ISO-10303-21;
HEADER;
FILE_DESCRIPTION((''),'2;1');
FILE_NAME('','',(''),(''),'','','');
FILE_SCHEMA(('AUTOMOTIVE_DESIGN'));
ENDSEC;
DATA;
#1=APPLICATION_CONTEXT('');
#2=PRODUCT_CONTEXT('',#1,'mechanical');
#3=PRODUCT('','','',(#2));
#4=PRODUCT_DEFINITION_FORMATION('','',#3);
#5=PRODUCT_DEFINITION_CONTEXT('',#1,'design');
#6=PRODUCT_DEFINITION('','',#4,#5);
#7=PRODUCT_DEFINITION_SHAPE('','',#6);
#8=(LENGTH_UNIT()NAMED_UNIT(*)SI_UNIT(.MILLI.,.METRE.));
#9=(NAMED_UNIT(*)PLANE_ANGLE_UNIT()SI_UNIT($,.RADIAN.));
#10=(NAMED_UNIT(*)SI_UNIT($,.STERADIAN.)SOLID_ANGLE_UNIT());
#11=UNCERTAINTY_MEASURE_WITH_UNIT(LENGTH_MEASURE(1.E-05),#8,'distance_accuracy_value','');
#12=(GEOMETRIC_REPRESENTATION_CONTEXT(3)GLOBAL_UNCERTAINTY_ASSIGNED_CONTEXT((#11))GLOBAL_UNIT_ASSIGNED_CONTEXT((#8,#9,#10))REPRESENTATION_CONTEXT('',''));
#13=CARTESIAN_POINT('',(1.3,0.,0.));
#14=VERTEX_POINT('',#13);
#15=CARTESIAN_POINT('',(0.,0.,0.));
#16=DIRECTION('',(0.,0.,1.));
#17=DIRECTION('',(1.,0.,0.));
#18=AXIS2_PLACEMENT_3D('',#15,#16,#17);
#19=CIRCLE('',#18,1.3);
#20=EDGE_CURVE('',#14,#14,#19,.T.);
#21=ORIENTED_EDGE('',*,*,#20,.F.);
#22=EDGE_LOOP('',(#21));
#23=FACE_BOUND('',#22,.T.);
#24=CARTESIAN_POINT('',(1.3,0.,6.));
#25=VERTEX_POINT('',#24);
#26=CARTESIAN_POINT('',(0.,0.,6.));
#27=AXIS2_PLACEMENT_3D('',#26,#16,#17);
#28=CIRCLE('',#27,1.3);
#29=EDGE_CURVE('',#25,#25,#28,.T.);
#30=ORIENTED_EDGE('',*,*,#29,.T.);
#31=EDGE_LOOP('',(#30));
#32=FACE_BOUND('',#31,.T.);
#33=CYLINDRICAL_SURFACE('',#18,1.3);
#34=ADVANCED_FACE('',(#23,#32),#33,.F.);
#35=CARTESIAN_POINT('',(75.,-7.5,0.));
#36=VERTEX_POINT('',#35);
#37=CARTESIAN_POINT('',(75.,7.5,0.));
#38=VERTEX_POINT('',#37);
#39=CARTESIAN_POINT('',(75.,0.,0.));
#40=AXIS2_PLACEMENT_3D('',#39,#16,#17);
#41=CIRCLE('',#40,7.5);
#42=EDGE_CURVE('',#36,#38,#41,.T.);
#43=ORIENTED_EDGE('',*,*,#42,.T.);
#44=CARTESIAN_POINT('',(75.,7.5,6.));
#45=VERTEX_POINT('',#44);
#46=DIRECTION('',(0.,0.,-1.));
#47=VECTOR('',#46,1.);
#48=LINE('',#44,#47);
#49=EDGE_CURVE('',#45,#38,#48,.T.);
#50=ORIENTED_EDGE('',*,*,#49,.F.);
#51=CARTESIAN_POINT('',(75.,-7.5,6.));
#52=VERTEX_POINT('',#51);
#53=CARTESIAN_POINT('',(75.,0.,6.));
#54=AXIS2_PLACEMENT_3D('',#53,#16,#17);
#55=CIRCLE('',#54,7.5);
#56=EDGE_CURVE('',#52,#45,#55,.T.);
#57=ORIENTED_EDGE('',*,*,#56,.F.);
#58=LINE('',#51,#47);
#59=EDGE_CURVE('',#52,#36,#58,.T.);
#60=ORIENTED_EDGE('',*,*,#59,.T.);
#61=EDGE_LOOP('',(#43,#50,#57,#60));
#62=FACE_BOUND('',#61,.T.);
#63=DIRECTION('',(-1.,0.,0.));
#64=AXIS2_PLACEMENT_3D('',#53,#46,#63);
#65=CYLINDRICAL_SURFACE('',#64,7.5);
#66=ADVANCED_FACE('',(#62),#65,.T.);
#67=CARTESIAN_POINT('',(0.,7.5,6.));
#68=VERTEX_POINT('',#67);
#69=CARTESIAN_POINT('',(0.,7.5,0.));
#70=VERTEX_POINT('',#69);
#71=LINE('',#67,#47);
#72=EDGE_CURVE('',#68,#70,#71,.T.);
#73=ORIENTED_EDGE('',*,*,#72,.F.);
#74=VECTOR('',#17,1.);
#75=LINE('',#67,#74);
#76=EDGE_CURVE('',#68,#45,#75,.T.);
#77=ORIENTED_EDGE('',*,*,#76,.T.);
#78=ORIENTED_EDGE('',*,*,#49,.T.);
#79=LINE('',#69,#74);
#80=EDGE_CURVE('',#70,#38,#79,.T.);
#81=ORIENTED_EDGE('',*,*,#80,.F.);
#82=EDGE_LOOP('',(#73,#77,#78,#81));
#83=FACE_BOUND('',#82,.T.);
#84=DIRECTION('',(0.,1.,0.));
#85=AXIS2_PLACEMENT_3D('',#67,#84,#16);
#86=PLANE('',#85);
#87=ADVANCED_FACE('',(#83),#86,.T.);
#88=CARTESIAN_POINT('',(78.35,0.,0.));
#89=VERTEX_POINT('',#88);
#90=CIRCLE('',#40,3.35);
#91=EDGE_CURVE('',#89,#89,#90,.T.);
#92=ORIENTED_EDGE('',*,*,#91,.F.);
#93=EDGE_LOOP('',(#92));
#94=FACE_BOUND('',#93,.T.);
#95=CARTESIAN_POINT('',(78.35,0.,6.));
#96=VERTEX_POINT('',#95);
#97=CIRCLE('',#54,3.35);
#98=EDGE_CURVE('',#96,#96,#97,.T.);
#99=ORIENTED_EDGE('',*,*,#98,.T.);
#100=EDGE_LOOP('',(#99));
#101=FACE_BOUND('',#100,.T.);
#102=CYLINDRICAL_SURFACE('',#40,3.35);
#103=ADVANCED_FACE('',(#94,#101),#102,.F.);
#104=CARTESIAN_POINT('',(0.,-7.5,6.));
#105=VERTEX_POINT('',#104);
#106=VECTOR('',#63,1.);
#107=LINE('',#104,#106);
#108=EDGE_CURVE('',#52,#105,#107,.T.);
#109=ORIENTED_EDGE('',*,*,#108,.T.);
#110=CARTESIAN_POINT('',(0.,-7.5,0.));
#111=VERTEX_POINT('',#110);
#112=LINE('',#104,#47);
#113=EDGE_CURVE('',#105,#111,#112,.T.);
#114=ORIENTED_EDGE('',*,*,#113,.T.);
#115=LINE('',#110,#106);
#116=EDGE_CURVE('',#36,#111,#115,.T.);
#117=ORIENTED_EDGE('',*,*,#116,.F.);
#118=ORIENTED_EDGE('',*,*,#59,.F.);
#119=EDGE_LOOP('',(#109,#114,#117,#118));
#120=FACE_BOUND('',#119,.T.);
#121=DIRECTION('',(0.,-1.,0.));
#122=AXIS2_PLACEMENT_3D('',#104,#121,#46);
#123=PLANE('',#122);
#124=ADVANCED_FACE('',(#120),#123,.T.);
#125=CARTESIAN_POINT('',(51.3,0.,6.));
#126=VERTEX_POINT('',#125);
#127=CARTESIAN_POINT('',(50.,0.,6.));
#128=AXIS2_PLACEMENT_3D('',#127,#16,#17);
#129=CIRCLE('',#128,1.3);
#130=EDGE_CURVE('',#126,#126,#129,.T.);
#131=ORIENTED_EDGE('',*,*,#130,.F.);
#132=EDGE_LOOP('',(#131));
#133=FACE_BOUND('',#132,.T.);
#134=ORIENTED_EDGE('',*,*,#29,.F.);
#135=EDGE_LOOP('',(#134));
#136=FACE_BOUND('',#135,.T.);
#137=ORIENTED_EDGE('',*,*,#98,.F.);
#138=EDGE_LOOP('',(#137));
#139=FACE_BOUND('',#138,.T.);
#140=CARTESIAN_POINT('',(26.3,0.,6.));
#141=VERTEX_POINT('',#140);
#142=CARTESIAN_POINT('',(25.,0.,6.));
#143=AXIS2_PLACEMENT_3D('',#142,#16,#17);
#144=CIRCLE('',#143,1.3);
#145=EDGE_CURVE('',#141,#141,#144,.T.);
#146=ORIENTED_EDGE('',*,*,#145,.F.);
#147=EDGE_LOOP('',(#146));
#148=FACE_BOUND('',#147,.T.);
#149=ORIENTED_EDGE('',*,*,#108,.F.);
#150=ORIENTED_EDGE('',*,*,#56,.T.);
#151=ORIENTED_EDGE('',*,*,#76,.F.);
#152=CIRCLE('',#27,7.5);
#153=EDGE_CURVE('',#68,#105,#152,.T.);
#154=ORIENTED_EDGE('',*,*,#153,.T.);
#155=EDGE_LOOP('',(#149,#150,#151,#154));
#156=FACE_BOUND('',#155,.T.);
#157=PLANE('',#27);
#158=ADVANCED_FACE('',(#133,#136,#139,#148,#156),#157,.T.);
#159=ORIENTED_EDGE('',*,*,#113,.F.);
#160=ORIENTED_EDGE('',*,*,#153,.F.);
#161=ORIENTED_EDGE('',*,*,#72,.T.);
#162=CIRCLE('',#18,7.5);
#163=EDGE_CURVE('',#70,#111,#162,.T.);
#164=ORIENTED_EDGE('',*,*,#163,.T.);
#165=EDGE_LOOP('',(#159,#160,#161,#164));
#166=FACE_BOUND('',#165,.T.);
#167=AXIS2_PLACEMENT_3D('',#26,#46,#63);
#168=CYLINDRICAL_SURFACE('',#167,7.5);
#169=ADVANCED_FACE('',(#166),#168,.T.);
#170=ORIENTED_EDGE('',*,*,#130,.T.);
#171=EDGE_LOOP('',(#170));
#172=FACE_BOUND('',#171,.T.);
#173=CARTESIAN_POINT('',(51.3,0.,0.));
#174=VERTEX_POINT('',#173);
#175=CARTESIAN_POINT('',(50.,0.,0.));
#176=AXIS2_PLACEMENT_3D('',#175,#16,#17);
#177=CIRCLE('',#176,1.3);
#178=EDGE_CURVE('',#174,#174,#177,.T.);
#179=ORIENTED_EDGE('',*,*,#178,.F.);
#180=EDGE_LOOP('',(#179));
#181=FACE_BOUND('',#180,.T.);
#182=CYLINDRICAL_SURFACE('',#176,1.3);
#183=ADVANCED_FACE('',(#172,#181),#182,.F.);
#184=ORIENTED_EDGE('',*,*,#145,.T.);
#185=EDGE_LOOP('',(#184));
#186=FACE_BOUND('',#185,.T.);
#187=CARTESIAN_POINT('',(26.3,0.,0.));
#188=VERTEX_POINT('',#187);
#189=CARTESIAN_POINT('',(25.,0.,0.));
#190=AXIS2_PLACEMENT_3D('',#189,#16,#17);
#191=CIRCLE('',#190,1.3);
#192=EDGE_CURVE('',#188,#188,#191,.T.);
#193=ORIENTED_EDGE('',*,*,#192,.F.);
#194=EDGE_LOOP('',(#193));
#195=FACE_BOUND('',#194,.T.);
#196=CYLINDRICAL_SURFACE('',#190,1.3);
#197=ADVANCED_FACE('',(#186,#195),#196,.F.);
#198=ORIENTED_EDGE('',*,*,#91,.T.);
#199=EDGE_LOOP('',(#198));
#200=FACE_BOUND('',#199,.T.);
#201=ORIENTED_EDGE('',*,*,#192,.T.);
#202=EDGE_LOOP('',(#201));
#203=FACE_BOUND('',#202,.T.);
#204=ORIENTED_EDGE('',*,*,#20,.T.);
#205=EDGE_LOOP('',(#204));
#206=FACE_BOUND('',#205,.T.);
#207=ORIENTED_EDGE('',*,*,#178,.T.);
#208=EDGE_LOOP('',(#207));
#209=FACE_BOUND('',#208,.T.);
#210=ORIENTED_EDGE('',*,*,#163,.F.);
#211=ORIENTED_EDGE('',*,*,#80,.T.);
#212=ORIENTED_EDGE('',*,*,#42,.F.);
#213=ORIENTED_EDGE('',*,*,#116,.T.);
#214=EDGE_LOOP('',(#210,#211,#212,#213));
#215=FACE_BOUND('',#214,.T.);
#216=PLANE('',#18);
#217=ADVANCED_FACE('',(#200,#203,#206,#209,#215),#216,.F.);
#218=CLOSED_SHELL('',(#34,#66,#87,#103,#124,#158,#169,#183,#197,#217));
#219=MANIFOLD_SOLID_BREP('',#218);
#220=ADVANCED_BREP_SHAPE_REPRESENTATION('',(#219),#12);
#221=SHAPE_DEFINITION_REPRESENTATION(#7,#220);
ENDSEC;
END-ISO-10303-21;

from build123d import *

# Parameters (mm, degrees)
SKETCH1_R           = 7.5
BOSS_EXTRUDE1_DEPTH = 6
SKETCH2_R           = 1.3
CUT_EXTRUDE1_DEPTH  = 84.057209199
LPATTERN1_COUNT     = 4
LPATTERN1_PITCH     = 25
SKETCH3_R           = 3.35
CUT_EXTRUDE2_DEPTH  = 84.057209199


with BuildPart() as part:
    # Sketch1 → Boss-Extrude1 (new body)
    with BuildSketch(Plane.XY):
        with BuildLine():
            Line((75, 7.5), (0, 7.5))
            ThreePointArc((0, 7.5), (5.303300859, 5.303300859), (7.5, 0))
            ThreePointArc((7.5, 0), (5.303300859, -5.303300859), (0, -7.5))
            Line((0, -7.5), (75, -7.5))
            ThreePointArc((75, -7.5), (67.5, 0), (75, 7.5))
        make_face()
        with Locations((75, 0)):
            Circle(SKETCH1_R)
        Circle(SKETCH1_R)
    extrude(amount=BOSS_EXTRUDE1_DEPTH)

    # Sketch2 → Cut-Extrude1 (cut, through all)
    with BuildSketch(Plane.XY.offset(6)):
        Circle(SKETCH2_R)
        with Locations((75, 0)):
            Circle(SKETCH2_R)
    cut_extrude1 = extrude(amount=-CUT_EXTRUDE1_DEPTH, mode=Mode.SUBTRACT)

    # LPattern1: Cut-Extrude1 ×4
    with Locations(*[(i * LPATTERN1_PITCH, 0, 0) for i in range(1, LPATTERN1_COUNT)]):
        add(cut_extrude1, mode=Mode.SUBTRACT)

    # Sketch3 → Cut-Extrude2 (cut, through all)
    with BuildSketch(Plane.XY.offset(6)):
        with Locations((75, 0)):
            Circle(SKETCH3_R)
    extrude(amount=-CUT_EXTRUDE2_DEPTH, mode=Mode.SUBTRACT)


solid = part.part
